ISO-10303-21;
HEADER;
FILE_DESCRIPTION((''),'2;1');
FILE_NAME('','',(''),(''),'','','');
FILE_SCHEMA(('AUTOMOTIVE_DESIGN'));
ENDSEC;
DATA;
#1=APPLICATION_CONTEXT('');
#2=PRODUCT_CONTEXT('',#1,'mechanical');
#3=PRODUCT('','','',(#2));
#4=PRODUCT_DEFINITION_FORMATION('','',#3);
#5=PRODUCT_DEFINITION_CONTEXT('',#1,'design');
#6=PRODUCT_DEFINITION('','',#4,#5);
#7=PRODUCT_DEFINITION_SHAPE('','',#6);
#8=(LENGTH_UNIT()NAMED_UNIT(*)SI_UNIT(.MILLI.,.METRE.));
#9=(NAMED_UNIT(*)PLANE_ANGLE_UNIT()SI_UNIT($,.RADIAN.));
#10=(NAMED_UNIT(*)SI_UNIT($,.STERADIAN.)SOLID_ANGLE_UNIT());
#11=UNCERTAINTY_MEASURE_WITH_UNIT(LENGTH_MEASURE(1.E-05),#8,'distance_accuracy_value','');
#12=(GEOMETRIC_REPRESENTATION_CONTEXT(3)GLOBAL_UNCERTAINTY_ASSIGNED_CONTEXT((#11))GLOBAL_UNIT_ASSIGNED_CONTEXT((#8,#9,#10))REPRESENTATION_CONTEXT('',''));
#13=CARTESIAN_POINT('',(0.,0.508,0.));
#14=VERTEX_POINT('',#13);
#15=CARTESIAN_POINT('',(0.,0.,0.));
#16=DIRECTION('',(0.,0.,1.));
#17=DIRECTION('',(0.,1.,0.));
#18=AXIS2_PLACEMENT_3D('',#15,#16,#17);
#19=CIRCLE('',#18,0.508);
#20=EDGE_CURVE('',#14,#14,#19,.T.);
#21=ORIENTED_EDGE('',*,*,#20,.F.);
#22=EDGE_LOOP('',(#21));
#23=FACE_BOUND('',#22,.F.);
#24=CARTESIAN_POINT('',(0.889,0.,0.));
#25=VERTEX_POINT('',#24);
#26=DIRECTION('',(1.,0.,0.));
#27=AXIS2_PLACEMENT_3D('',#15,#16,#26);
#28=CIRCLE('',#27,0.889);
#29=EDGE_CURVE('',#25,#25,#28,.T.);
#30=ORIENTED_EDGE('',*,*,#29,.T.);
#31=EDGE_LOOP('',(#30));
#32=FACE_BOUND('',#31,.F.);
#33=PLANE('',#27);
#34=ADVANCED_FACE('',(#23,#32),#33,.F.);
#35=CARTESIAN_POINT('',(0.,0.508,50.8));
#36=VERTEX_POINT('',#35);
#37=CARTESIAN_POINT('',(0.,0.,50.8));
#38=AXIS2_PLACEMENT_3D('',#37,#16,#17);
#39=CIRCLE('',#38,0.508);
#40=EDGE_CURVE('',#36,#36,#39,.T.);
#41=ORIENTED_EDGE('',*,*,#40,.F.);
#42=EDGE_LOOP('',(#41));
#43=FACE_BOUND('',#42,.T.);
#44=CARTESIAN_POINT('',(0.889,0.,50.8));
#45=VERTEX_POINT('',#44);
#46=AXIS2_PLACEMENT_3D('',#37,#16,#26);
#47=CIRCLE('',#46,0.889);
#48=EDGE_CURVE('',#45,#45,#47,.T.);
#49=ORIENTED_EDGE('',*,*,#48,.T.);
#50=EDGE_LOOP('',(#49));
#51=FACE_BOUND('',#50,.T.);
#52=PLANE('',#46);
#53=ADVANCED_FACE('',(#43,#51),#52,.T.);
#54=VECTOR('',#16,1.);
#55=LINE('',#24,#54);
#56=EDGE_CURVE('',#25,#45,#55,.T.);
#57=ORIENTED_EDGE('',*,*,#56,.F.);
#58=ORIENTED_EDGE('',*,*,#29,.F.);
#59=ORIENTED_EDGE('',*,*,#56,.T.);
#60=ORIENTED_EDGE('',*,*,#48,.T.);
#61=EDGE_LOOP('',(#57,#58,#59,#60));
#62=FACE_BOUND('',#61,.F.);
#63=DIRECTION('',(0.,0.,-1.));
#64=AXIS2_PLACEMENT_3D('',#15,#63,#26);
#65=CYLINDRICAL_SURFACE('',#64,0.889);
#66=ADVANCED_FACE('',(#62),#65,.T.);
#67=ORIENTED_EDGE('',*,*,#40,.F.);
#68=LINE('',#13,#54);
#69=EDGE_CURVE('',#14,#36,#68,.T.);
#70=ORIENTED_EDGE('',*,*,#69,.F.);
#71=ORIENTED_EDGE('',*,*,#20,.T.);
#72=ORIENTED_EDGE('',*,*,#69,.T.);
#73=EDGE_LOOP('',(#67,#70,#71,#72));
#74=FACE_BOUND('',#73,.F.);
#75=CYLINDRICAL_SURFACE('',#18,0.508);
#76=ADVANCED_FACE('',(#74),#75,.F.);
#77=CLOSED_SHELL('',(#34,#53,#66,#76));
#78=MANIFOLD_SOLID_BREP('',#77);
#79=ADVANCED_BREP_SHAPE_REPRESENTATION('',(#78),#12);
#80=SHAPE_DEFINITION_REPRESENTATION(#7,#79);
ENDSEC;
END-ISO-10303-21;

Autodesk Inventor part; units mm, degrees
ref_plane "YZ Plane" through (0, 0, 0) normal (1, 0, 0) x (0, 1, 0)
ref_plane "XZ Plane" through (0, 0, 0) normal (0, 1, 0) x (-1, 0, 0)
ref_plane "XY Plane" through (0, 0, 0) normal (0, 0, 1) x (1, 0, 0)
sketch "Sketch1" plane through (0, 0, 0) normal (0, 0, 1) x (1, 0, 0)
  circle A0 centre (0, 0) radius 0.889
  dimension "d0" = 1.778
extrude "Extrusion1" add sketch "Sketch1" along normal blind 50.8
sketch "Sketch2" plane through (0, 0, 0) normal (0, 0, -1) x (-1, 0, 0)
  circle A0 centre (0, 0) radius 0.889 projected
hole "Hole1" at (0, 0, 0) direction (0, 0, 1) diameter 1.016 end through all
properties part number "tygon_tube"
